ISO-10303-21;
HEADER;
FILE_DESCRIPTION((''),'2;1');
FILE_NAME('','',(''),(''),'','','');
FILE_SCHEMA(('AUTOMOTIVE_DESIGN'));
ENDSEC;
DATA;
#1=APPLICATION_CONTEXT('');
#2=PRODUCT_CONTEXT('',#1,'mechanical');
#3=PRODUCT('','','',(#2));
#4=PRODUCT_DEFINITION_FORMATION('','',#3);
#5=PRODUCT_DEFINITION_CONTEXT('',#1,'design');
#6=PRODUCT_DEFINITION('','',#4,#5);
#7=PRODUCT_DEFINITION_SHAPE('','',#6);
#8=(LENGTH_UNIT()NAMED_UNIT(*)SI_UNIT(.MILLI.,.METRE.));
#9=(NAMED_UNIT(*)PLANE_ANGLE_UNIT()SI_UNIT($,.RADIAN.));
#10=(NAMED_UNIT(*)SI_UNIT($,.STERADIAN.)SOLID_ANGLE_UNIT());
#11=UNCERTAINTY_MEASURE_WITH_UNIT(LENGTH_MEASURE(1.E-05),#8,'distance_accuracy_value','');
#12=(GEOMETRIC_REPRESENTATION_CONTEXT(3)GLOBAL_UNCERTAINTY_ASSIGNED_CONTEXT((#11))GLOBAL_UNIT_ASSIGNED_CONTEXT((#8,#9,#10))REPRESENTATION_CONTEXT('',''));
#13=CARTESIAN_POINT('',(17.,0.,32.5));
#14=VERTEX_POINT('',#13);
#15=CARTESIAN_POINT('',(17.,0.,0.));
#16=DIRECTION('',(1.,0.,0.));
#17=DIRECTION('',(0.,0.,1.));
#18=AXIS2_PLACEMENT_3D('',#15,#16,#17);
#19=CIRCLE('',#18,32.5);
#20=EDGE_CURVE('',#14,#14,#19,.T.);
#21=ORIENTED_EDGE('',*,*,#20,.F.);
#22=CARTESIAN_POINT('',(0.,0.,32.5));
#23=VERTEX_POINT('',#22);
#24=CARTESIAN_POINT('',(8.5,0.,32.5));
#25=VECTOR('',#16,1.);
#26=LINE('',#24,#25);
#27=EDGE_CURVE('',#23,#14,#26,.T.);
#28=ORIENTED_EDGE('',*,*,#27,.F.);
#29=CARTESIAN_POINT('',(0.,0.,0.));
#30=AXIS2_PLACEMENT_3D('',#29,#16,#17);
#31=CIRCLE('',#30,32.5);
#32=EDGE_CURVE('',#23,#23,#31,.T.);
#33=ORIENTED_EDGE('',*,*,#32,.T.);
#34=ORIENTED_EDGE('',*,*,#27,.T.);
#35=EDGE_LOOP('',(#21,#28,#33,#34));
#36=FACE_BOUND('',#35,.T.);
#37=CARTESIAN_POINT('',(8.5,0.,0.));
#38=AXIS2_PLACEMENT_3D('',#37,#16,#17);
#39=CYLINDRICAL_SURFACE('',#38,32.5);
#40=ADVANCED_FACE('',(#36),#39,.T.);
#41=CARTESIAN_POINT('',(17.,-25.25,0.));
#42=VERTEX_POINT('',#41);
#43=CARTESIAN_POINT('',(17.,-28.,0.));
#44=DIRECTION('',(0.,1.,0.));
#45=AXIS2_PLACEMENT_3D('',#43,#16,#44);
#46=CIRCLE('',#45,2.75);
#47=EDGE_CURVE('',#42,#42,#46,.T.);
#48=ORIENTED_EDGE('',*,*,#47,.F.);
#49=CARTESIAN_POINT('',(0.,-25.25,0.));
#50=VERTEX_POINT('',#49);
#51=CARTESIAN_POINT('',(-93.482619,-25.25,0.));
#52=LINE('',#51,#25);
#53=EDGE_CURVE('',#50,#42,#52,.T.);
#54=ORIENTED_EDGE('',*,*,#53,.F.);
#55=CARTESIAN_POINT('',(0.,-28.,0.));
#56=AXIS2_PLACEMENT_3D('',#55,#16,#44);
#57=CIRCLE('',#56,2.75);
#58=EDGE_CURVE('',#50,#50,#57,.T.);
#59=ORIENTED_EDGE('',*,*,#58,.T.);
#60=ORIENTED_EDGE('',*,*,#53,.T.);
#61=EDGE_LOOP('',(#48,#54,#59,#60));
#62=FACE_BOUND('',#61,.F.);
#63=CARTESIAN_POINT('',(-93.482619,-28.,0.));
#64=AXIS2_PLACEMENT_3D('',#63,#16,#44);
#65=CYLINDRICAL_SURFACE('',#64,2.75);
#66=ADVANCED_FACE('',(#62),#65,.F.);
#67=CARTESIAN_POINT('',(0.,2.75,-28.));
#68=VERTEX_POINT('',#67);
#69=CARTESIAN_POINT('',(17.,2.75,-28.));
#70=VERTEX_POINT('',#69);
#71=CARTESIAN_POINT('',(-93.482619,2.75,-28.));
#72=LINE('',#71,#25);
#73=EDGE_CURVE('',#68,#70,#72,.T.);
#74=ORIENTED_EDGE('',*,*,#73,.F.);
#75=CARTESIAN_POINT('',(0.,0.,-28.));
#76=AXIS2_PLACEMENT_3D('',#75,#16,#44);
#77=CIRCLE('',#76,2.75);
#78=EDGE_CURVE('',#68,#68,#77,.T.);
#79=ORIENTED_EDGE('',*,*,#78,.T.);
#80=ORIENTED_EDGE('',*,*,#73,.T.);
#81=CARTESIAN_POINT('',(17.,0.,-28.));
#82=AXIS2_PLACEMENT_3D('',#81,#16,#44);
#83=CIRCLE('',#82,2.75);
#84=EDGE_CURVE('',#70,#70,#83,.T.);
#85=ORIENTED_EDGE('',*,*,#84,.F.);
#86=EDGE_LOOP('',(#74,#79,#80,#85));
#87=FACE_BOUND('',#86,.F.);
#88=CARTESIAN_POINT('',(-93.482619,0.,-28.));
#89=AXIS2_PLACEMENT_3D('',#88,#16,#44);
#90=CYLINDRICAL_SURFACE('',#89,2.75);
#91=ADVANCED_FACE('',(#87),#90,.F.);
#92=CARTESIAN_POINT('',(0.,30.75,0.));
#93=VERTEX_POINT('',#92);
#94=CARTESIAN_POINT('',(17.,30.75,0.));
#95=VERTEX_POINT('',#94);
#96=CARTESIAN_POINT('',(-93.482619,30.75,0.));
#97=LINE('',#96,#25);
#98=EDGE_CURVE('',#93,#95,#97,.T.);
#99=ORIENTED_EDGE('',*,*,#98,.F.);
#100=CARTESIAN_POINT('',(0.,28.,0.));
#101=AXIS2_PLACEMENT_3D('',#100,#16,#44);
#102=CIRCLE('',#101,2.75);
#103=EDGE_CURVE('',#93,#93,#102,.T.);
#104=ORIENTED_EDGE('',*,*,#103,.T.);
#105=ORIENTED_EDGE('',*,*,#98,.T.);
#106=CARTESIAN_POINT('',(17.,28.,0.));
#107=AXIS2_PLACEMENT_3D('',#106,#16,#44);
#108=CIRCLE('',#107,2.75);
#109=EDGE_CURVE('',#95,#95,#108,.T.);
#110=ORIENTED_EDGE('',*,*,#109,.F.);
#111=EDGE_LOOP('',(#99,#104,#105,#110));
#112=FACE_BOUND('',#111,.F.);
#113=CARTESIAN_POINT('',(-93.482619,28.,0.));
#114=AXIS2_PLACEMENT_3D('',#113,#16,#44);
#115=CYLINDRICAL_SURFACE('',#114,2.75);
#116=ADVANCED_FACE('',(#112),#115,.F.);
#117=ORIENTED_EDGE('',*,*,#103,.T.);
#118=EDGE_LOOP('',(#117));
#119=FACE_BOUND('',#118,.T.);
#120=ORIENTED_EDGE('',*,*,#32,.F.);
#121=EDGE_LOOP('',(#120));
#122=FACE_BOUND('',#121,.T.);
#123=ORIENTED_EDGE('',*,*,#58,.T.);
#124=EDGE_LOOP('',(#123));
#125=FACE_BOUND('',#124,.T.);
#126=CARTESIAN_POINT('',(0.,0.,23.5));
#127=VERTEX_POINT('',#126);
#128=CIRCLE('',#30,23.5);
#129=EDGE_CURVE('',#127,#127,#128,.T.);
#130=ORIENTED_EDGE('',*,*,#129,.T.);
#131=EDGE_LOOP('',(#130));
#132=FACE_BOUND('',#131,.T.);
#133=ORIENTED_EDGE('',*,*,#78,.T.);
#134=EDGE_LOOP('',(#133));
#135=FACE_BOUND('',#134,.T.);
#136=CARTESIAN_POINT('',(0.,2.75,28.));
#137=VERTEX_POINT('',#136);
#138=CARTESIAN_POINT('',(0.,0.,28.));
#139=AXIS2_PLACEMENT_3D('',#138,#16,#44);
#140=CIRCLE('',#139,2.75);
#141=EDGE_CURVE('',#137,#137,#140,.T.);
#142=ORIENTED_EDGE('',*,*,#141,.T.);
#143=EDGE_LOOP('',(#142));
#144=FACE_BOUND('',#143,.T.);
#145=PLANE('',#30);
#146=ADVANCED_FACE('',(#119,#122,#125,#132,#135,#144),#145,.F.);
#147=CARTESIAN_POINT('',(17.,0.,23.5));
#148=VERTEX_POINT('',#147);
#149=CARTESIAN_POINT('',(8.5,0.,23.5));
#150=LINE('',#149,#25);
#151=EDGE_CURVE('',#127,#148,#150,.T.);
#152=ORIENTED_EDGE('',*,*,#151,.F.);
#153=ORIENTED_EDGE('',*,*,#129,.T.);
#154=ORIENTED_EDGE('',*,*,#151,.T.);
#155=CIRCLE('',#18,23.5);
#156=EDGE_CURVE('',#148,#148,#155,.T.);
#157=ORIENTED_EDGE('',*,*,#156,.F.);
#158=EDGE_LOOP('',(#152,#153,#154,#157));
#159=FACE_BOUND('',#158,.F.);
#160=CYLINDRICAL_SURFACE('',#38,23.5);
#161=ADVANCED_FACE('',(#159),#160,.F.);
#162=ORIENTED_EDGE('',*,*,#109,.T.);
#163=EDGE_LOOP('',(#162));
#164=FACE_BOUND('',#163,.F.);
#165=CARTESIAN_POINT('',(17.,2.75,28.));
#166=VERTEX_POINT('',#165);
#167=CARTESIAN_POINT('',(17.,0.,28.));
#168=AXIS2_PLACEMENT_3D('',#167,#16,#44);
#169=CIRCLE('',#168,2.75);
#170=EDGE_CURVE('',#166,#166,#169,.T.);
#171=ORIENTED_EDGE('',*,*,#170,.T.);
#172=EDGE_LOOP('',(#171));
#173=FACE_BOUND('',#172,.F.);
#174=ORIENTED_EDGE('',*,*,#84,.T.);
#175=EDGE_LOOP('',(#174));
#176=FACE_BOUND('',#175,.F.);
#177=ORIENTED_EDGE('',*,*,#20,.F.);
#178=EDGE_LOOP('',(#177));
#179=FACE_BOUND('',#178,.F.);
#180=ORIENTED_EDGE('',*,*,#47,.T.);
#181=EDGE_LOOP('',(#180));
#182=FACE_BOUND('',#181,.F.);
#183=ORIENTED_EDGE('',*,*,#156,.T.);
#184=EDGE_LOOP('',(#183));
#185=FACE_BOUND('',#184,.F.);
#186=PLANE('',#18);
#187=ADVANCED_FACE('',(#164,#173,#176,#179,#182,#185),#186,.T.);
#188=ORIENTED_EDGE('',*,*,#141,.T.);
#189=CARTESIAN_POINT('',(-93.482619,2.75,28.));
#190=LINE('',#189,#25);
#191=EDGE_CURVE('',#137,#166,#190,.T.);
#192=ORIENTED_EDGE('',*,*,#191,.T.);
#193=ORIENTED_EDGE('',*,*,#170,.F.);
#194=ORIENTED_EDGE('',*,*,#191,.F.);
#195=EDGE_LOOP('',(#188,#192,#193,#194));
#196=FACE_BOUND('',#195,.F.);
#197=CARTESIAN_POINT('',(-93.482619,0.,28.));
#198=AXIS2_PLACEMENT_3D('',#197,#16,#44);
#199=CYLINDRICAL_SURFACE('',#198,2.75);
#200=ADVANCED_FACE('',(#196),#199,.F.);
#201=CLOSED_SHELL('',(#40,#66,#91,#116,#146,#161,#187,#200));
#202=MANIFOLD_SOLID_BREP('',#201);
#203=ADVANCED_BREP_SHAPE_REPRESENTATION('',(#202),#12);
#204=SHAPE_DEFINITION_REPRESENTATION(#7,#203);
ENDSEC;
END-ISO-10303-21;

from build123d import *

# Parameters (mm, degrees)
F0_W = 17
F0_H = 9
F3_D = 5.5


with BuildPart() as f1:
    # F0 (on Front) → F1 (revolve)
    with BuildSketch(Plane.XZ):
        with Locations((8.5, 28)):
            Rectangle(F0_W, F0_H)
    revolve(axis=Axis((1.6395361068, 0, 0), (1, 0, 0)))

    # F3 (through all)
    with Locations(Plane(origin=(0, 0, 0), x_dir=(0, -1, 0), z_dir=(-1, 0, 0))):
        with Locations((0, 28), (28, 0), (0, -28), (-28, 0)):
            Hole(F3_D / 2)


solid = f1.part
